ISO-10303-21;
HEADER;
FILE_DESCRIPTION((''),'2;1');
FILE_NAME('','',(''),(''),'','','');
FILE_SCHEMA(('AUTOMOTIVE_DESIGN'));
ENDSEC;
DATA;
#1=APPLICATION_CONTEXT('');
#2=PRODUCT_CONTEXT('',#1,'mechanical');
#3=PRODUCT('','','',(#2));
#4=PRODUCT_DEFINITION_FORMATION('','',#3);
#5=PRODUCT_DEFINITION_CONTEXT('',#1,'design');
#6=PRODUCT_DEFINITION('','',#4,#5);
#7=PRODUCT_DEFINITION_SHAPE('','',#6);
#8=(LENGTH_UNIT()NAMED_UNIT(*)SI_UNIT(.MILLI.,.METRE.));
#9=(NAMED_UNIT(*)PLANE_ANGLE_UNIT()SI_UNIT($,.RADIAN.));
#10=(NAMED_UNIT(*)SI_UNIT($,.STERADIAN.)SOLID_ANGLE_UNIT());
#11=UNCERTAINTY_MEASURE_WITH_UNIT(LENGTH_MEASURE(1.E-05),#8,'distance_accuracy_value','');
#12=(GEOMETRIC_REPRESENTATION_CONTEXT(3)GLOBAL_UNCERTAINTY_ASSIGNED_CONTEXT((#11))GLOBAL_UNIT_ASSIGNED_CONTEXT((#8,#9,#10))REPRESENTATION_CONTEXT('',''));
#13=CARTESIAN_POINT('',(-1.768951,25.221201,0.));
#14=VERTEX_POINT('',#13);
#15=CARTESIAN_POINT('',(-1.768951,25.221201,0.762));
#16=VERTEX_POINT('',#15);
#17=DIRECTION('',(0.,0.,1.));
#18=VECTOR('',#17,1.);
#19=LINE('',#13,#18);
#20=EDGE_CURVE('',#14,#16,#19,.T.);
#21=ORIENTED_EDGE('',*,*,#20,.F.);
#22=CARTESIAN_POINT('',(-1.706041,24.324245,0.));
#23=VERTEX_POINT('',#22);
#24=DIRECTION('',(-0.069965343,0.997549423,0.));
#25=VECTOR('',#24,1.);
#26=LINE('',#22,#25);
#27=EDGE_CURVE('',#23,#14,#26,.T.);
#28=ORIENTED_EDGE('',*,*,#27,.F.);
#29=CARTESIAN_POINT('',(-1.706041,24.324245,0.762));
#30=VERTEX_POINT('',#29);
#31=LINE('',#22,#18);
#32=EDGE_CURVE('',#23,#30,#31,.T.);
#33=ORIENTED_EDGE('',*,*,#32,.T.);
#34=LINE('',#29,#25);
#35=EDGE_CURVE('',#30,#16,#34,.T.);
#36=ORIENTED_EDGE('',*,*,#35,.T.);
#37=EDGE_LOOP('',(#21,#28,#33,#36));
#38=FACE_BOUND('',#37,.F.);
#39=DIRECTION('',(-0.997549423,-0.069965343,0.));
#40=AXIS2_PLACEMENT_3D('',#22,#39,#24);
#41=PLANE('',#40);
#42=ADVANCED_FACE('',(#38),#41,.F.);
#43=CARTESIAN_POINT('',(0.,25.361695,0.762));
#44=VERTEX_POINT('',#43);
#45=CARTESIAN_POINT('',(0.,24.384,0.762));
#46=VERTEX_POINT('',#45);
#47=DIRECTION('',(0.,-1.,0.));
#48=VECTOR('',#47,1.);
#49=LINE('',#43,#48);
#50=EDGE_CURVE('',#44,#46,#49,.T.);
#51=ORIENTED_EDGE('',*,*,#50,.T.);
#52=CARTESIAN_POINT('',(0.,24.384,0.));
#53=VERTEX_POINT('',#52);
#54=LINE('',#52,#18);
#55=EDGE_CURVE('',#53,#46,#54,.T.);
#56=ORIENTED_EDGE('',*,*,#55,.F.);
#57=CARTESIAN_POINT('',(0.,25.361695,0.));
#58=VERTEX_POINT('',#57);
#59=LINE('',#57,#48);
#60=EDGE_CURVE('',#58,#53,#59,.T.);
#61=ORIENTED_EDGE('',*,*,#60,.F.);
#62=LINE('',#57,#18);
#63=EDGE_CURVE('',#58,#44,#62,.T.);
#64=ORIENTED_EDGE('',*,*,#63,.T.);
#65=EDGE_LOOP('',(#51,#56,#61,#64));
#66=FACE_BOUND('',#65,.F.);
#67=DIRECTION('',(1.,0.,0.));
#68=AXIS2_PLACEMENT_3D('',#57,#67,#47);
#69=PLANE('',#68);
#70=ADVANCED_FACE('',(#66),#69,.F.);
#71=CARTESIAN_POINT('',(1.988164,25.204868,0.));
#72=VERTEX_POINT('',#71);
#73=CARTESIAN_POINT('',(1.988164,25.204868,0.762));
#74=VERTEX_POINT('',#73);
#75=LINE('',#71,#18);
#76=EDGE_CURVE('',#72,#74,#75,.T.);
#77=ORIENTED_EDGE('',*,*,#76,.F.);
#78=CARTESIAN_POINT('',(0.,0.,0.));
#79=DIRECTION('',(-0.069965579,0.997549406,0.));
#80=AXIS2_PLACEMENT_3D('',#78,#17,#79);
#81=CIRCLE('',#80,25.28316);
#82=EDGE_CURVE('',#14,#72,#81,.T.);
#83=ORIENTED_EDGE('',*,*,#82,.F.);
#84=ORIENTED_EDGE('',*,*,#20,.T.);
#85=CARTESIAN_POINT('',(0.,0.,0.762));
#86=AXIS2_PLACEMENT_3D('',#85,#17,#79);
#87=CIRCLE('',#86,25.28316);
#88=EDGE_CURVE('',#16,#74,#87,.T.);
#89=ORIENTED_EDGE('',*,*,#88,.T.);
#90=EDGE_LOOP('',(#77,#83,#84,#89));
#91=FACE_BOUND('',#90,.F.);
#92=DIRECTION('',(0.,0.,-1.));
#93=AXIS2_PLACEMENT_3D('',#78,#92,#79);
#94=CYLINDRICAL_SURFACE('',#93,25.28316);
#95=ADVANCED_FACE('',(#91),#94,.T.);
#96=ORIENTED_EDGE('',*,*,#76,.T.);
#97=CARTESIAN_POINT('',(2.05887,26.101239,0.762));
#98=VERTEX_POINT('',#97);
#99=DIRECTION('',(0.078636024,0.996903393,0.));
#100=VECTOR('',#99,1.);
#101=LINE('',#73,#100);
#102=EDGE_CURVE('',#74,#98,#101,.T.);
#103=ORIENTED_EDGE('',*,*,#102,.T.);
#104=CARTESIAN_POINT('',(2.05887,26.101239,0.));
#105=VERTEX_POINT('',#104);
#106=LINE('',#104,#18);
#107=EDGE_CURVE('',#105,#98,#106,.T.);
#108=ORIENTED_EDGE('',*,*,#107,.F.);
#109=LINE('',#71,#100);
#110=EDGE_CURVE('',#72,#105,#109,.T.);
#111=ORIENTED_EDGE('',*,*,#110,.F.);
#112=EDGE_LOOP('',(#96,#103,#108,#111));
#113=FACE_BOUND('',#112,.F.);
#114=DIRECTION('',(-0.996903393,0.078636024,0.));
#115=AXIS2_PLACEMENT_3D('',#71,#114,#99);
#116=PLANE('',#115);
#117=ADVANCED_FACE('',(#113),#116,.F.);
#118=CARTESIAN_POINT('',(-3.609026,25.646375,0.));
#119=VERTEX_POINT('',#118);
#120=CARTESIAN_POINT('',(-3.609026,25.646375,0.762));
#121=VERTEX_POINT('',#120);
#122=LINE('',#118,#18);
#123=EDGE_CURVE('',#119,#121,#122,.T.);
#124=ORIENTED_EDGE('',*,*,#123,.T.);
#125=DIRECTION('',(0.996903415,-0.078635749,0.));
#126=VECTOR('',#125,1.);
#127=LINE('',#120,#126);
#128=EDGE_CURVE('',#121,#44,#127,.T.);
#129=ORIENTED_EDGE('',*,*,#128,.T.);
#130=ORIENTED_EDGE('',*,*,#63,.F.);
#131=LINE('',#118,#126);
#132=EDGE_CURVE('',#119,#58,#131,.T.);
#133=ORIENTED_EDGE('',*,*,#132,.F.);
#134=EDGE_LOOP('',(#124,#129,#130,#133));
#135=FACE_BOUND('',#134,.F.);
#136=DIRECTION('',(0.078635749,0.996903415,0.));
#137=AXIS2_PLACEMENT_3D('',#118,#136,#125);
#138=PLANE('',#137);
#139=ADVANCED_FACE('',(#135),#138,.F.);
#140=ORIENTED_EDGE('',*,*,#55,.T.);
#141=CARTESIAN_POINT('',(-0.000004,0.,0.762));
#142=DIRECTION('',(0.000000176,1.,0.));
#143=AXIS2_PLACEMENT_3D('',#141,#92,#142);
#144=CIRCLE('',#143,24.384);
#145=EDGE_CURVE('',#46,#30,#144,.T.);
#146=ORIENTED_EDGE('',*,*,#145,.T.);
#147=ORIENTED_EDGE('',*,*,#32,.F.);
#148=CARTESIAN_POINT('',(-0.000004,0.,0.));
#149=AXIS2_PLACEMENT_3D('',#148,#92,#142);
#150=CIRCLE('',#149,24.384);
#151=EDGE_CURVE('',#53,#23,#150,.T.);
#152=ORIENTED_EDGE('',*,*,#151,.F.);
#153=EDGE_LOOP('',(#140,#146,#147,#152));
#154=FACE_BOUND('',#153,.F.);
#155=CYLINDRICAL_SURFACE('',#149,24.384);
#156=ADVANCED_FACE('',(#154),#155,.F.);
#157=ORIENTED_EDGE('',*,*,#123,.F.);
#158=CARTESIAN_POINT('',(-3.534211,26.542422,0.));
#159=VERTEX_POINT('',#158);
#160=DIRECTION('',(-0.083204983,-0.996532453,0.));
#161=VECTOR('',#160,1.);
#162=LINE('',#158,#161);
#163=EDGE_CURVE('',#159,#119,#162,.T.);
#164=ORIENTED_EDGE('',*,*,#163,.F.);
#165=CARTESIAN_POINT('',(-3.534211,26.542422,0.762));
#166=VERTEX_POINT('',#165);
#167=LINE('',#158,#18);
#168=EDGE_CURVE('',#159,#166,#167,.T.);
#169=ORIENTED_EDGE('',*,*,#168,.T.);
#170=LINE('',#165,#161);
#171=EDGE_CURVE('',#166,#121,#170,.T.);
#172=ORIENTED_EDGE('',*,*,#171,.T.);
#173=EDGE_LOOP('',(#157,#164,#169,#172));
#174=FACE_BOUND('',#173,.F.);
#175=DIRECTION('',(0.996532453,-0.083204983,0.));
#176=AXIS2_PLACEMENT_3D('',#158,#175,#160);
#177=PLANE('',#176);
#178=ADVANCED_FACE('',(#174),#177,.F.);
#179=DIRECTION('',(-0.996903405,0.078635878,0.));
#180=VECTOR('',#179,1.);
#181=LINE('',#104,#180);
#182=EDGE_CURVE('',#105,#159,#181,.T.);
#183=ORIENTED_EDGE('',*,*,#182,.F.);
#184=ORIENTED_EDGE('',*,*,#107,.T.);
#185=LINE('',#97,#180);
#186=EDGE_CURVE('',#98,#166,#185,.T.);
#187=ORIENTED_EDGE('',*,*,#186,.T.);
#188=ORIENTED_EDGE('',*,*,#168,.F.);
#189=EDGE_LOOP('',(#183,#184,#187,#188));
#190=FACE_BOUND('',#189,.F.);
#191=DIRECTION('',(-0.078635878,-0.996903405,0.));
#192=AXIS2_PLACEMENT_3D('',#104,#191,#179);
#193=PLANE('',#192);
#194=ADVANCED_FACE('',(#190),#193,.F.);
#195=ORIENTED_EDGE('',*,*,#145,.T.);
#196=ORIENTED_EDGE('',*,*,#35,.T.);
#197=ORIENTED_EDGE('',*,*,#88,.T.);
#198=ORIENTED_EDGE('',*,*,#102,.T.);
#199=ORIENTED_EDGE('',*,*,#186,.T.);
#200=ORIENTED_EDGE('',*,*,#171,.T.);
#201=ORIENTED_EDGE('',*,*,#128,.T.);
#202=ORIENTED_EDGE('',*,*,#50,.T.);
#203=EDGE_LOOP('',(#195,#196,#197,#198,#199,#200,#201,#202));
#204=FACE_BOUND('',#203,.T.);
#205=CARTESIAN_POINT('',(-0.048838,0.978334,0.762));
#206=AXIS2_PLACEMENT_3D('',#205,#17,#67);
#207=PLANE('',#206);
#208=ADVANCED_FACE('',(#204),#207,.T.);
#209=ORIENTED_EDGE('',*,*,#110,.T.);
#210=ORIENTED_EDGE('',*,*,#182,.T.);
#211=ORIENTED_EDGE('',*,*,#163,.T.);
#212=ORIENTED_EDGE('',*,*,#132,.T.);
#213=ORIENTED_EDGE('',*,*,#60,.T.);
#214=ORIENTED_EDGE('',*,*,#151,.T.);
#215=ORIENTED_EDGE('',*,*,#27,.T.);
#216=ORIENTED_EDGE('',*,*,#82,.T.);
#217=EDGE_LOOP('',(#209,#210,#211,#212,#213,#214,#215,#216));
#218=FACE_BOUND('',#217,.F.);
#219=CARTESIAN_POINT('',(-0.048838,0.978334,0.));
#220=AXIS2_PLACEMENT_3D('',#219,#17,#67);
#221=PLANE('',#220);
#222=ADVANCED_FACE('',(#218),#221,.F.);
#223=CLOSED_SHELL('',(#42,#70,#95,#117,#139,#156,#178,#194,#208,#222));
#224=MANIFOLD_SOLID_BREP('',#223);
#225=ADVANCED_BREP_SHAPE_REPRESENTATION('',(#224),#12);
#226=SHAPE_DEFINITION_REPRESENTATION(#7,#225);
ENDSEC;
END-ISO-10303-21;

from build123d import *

# Parameters (mm, degrees)
F1_DEPTH = 0.762


with BuildPart() as f1:
    # F0 (on Top) → F1 (new body)
    with BuildSketch(Plane.XY):
        with BuildLine():
            ThreePointArc((0, 24.384), (0.853544, -24.369057), (-1.706041, 24.324245))
            Line((-1.706041, 24.324245), (-1.768951, 25.221201))
            ThreePointArc((-1.768951, 25.221201), (-0.10991, -25.282921), (1.988164, 25.204868))
            Line((1.988164, 25.204868), (2.05887, 26.101239))
            Line((2.05887, 26.101239), (-3.534211, 26.542422))
            Line((-3.534211, 26.542422), (-3.609026, 25.646375))
            Line((-3.609026, 25.646375), (0, 25.361695))
            Line((0, 25.361695), (0, 24.384))
        make_face()
    extrude(amount=F1_DEPTH)


solid = f1.part
